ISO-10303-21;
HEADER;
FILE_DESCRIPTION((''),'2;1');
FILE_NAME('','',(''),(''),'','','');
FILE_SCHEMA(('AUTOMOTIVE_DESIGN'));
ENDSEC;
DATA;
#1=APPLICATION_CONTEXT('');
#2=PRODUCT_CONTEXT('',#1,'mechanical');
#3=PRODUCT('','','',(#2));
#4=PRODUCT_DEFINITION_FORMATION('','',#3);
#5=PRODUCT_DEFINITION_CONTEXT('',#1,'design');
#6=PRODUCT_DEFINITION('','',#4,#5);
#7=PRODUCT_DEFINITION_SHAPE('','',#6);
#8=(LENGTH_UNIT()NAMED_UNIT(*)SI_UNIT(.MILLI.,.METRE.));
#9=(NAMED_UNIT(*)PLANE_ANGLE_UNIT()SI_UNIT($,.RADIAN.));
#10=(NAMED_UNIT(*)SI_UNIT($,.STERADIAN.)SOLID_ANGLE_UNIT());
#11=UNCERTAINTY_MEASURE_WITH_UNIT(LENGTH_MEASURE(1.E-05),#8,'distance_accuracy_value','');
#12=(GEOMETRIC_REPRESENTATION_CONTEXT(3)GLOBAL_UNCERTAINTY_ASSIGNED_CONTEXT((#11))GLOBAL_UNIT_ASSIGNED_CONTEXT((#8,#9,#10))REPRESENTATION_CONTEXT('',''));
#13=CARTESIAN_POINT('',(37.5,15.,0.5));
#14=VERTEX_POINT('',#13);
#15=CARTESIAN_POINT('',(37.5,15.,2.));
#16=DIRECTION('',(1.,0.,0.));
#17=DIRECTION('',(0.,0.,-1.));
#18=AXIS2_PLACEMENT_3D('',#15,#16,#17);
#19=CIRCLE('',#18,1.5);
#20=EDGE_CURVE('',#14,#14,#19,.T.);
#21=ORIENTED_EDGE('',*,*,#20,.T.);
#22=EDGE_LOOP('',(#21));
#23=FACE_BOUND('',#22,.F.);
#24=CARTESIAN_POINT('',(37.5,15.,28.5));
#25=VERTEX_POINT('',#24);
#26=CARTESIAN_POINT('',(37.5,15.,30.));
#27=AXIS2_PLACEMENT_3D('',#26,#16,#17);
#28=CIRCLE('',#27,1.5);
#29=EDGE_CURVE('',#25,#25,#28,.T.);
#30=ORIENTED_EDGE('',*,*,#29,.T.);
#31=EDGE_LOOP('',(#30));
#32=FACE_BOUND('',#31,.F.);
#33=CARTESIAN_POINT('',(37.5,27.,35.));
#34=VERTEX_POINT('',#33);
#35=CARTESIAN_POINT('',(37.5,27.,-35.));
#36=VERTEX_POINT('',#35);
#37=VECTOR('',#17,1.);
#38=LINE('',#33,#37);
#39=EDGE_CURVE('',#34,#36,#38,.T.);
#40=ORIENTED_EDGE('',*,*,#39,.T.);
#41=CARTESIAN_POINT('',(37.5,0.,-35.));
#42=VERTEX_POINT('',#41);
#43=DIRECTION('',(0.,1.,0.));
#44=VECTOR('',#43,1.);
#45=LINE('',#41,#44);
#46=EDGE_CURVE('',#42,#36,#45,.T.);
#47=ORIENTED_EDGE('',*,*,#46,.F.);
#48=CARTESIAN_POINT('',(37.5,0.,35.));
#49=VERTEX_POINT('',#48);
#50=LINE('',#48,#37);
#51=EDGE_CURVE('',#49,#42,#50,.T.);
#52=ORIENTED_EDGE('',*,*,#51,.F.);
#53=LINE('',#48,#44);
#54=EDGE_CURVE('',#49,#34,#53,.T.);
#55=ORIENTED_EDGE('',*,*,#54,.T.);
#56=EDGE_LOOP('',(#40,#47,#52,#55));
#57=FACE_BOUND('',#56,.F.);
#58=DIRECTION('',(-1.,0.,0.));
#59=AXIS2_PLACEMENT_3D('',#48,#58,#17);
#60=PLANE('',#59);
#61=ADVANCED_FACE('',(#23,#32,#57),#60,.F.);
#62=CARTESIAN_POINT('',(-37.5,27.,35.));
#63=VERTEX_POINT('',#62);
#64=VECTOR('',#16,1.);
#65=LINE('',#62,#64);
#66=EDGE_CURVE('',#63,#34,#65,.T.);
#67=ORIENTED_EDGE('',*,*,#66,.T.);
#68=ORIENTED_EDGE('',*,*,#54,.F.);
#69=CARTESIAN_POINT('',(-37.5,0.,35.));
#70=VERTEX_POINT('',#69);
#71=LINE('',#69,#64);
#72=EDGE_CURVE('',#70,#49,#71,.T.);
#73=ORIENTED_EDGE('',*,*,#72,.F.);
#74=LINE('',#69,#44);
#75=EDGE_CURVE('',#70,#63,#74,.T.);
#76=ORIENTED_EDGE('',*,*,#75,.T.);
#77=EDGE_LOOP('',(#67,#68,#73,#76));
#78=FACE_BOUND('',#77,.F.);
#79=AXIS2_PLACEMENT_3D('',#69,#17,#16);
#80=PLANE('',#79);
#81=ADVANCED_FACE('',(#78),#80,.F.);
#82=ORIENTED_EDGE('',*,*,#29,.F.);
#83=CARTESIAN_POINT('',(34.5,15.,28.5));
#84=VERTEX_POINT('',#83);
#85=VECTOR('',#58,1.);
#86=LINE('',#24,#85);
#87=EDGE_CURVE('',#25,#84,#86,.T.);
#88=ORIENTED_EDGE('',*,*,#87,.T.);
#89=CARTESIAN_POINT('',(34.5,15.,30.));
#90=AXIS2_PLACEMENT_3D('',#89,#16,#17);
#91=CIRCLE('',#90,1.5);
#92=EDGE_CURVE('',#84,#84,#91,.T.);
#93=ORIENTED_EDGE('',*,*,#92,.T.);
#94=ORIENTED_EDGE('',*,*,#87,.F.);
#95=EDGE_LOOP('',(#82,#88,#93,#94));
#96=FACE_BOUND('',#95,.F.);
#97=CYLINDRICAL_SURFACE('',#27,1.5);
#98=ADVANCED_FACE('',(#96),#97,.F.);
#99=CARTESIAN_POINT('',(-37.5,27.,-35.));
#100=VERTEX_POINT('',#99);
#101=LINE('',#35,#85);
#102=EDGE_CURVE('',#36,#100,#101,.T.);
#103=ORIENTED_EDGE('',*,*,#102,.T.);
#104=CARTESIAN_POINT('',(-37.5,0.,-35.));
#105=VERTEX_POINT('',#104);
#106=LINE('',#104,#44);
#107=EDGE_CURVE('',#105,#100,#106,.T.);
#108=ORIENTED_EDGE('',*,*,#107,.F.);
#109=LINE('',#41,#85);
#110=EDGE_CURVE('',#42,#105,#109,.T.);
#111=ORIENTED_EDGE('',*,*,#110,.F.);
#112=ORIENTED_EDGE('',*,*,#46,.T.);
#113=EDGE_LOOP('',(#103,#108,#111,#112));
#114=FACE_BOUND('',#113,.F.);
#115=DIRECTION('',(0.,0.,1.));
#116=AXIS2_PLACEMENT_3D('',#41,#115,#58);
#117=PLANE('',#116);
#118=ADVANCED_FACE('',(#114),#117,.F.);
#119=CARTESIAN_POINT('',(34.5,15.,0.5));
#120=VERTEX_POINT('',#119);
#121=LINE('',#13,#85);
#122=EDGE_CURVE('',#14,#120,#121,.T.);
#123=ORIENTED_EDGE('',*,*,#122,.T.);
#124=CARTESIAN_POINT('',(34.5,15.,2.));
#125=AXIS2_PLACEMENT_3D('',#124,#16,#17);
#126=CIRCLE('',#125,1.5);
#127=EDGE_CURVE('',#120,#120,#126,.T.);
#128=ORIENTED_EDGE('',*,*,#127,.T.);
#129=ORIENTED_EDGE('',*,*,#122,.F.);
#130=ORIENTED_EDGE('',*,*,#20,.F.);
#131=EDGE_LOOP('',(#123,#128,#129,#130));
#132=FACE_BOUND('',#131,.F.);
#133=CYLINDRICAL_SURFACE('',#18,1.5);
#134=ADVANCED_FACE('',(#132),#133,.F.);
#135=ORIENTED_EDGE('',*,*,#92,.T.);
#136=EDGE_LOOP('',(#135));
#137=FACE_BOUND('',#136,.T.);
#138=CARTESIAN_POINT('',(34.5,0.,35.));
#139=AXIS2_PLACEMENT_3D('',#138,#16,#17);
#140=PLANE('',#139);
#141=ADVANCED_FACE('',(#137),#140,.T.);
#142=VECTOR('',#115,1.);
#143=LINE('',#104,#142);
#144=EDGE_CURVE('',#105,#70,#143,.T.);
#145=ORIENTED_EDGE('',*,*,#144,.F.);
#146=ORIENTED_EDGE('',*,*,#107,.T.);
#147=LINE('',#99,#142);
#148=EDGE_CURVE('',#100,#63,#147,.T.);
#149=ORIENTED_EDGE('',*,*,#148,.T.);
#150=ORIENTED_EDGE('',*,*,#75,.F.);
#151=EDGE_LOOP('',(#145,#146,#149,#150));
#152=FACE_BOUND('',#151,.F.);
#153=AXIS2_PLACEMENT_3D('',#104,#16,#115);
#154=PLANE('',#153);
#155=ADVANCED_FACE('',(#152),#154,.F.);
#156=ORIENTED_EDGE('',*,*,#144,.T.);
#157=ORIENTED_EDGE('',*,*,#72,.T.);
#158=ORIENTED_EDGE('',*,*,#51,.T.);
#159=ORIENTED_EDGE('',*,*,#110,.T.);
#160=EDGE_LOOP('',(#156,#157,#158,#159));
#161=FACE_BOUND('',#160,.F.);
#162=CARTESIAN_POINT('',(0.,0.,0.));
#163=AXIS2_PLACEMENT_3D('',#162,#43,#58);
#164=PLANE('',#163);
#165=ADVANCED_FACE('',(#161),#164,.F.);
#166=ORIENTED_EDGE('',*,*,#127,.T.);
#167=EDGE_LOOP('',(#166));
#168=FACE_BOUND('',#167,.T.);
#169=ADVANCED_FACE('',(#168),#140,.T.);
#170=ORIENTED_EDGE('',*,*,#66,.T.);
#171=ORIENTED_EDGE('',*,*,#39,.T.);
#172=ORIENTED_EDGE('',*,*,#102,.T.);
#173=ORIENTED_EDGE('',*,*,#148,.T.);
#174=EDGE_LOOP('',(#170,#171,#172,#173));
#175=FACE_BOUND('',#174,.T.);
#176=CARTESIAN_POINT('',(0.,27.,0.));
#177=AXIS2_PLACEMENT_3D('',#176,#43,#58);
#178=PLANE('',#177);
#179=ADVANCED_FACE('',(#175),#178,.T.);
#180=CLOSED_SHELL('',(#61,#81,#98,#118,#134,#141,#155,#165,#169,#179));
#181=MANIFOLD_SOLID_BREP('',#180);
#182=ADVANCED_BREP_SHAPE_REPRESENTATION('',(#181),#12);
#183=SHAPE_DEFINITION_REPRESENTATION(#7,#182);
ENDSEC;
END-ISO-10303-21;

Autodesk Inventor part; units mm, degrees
ref_plane "YZ Plane" through (0, 0, 0) normal (1, 0, 0) x (0, 1, 0)
ref_plane "XZ Plane" through (0, 0, 0) normal (0, 1, 0) x (-1, 0, 0)
ref_plane "XY Plane" through (0, 0, 0) normal (0, 0, 1) x (1, 0, 0)
sketch "Sketch1" plane through (0, 0, 0) normal (0, 1, 0) x (-1, 0, 0)
  line L0 (37.5, 35) -> (-37.5, 35)
  line L1 (-37.5, 35) -> (-37.5, -35)
  line L2 (-37.5, -35) -> (37.5, -35)
  line L3 (37.5, -35) -> (37.5, 35)
  point P0 (0, 0)
  point P1 (37.5, 0)
  point P2 (0, -35)
  dimension "d1" = 75
  dimension "d2" = 70
extrude "Extrusion1" add sketch "Sketch1" along normal blind 27
sketch "Sketch2" plane through (37.5, 0, 35) normal (1, 0, 0) x (0, 0, -1)
  circle A0 centre (5, 15) radius 1.5
  line L0 (0, 27) -> (70, 27) projected
  line L1 (0, 0) -> (0, 27) projected
  circle A1 centre (33, 15) radius 1.5
  point P0 (35, 0)
  dimension "d5" = 3
  dimension "d6" = 12
  dimension "d7" = 5
  dimension "d8" = 3
  dimension "d9" = 28
extrude "Extrusion2" cut sketch "Sketch2" against normal blind 3
equation "\"d8\" = d5"
properties part number "power_supply"
